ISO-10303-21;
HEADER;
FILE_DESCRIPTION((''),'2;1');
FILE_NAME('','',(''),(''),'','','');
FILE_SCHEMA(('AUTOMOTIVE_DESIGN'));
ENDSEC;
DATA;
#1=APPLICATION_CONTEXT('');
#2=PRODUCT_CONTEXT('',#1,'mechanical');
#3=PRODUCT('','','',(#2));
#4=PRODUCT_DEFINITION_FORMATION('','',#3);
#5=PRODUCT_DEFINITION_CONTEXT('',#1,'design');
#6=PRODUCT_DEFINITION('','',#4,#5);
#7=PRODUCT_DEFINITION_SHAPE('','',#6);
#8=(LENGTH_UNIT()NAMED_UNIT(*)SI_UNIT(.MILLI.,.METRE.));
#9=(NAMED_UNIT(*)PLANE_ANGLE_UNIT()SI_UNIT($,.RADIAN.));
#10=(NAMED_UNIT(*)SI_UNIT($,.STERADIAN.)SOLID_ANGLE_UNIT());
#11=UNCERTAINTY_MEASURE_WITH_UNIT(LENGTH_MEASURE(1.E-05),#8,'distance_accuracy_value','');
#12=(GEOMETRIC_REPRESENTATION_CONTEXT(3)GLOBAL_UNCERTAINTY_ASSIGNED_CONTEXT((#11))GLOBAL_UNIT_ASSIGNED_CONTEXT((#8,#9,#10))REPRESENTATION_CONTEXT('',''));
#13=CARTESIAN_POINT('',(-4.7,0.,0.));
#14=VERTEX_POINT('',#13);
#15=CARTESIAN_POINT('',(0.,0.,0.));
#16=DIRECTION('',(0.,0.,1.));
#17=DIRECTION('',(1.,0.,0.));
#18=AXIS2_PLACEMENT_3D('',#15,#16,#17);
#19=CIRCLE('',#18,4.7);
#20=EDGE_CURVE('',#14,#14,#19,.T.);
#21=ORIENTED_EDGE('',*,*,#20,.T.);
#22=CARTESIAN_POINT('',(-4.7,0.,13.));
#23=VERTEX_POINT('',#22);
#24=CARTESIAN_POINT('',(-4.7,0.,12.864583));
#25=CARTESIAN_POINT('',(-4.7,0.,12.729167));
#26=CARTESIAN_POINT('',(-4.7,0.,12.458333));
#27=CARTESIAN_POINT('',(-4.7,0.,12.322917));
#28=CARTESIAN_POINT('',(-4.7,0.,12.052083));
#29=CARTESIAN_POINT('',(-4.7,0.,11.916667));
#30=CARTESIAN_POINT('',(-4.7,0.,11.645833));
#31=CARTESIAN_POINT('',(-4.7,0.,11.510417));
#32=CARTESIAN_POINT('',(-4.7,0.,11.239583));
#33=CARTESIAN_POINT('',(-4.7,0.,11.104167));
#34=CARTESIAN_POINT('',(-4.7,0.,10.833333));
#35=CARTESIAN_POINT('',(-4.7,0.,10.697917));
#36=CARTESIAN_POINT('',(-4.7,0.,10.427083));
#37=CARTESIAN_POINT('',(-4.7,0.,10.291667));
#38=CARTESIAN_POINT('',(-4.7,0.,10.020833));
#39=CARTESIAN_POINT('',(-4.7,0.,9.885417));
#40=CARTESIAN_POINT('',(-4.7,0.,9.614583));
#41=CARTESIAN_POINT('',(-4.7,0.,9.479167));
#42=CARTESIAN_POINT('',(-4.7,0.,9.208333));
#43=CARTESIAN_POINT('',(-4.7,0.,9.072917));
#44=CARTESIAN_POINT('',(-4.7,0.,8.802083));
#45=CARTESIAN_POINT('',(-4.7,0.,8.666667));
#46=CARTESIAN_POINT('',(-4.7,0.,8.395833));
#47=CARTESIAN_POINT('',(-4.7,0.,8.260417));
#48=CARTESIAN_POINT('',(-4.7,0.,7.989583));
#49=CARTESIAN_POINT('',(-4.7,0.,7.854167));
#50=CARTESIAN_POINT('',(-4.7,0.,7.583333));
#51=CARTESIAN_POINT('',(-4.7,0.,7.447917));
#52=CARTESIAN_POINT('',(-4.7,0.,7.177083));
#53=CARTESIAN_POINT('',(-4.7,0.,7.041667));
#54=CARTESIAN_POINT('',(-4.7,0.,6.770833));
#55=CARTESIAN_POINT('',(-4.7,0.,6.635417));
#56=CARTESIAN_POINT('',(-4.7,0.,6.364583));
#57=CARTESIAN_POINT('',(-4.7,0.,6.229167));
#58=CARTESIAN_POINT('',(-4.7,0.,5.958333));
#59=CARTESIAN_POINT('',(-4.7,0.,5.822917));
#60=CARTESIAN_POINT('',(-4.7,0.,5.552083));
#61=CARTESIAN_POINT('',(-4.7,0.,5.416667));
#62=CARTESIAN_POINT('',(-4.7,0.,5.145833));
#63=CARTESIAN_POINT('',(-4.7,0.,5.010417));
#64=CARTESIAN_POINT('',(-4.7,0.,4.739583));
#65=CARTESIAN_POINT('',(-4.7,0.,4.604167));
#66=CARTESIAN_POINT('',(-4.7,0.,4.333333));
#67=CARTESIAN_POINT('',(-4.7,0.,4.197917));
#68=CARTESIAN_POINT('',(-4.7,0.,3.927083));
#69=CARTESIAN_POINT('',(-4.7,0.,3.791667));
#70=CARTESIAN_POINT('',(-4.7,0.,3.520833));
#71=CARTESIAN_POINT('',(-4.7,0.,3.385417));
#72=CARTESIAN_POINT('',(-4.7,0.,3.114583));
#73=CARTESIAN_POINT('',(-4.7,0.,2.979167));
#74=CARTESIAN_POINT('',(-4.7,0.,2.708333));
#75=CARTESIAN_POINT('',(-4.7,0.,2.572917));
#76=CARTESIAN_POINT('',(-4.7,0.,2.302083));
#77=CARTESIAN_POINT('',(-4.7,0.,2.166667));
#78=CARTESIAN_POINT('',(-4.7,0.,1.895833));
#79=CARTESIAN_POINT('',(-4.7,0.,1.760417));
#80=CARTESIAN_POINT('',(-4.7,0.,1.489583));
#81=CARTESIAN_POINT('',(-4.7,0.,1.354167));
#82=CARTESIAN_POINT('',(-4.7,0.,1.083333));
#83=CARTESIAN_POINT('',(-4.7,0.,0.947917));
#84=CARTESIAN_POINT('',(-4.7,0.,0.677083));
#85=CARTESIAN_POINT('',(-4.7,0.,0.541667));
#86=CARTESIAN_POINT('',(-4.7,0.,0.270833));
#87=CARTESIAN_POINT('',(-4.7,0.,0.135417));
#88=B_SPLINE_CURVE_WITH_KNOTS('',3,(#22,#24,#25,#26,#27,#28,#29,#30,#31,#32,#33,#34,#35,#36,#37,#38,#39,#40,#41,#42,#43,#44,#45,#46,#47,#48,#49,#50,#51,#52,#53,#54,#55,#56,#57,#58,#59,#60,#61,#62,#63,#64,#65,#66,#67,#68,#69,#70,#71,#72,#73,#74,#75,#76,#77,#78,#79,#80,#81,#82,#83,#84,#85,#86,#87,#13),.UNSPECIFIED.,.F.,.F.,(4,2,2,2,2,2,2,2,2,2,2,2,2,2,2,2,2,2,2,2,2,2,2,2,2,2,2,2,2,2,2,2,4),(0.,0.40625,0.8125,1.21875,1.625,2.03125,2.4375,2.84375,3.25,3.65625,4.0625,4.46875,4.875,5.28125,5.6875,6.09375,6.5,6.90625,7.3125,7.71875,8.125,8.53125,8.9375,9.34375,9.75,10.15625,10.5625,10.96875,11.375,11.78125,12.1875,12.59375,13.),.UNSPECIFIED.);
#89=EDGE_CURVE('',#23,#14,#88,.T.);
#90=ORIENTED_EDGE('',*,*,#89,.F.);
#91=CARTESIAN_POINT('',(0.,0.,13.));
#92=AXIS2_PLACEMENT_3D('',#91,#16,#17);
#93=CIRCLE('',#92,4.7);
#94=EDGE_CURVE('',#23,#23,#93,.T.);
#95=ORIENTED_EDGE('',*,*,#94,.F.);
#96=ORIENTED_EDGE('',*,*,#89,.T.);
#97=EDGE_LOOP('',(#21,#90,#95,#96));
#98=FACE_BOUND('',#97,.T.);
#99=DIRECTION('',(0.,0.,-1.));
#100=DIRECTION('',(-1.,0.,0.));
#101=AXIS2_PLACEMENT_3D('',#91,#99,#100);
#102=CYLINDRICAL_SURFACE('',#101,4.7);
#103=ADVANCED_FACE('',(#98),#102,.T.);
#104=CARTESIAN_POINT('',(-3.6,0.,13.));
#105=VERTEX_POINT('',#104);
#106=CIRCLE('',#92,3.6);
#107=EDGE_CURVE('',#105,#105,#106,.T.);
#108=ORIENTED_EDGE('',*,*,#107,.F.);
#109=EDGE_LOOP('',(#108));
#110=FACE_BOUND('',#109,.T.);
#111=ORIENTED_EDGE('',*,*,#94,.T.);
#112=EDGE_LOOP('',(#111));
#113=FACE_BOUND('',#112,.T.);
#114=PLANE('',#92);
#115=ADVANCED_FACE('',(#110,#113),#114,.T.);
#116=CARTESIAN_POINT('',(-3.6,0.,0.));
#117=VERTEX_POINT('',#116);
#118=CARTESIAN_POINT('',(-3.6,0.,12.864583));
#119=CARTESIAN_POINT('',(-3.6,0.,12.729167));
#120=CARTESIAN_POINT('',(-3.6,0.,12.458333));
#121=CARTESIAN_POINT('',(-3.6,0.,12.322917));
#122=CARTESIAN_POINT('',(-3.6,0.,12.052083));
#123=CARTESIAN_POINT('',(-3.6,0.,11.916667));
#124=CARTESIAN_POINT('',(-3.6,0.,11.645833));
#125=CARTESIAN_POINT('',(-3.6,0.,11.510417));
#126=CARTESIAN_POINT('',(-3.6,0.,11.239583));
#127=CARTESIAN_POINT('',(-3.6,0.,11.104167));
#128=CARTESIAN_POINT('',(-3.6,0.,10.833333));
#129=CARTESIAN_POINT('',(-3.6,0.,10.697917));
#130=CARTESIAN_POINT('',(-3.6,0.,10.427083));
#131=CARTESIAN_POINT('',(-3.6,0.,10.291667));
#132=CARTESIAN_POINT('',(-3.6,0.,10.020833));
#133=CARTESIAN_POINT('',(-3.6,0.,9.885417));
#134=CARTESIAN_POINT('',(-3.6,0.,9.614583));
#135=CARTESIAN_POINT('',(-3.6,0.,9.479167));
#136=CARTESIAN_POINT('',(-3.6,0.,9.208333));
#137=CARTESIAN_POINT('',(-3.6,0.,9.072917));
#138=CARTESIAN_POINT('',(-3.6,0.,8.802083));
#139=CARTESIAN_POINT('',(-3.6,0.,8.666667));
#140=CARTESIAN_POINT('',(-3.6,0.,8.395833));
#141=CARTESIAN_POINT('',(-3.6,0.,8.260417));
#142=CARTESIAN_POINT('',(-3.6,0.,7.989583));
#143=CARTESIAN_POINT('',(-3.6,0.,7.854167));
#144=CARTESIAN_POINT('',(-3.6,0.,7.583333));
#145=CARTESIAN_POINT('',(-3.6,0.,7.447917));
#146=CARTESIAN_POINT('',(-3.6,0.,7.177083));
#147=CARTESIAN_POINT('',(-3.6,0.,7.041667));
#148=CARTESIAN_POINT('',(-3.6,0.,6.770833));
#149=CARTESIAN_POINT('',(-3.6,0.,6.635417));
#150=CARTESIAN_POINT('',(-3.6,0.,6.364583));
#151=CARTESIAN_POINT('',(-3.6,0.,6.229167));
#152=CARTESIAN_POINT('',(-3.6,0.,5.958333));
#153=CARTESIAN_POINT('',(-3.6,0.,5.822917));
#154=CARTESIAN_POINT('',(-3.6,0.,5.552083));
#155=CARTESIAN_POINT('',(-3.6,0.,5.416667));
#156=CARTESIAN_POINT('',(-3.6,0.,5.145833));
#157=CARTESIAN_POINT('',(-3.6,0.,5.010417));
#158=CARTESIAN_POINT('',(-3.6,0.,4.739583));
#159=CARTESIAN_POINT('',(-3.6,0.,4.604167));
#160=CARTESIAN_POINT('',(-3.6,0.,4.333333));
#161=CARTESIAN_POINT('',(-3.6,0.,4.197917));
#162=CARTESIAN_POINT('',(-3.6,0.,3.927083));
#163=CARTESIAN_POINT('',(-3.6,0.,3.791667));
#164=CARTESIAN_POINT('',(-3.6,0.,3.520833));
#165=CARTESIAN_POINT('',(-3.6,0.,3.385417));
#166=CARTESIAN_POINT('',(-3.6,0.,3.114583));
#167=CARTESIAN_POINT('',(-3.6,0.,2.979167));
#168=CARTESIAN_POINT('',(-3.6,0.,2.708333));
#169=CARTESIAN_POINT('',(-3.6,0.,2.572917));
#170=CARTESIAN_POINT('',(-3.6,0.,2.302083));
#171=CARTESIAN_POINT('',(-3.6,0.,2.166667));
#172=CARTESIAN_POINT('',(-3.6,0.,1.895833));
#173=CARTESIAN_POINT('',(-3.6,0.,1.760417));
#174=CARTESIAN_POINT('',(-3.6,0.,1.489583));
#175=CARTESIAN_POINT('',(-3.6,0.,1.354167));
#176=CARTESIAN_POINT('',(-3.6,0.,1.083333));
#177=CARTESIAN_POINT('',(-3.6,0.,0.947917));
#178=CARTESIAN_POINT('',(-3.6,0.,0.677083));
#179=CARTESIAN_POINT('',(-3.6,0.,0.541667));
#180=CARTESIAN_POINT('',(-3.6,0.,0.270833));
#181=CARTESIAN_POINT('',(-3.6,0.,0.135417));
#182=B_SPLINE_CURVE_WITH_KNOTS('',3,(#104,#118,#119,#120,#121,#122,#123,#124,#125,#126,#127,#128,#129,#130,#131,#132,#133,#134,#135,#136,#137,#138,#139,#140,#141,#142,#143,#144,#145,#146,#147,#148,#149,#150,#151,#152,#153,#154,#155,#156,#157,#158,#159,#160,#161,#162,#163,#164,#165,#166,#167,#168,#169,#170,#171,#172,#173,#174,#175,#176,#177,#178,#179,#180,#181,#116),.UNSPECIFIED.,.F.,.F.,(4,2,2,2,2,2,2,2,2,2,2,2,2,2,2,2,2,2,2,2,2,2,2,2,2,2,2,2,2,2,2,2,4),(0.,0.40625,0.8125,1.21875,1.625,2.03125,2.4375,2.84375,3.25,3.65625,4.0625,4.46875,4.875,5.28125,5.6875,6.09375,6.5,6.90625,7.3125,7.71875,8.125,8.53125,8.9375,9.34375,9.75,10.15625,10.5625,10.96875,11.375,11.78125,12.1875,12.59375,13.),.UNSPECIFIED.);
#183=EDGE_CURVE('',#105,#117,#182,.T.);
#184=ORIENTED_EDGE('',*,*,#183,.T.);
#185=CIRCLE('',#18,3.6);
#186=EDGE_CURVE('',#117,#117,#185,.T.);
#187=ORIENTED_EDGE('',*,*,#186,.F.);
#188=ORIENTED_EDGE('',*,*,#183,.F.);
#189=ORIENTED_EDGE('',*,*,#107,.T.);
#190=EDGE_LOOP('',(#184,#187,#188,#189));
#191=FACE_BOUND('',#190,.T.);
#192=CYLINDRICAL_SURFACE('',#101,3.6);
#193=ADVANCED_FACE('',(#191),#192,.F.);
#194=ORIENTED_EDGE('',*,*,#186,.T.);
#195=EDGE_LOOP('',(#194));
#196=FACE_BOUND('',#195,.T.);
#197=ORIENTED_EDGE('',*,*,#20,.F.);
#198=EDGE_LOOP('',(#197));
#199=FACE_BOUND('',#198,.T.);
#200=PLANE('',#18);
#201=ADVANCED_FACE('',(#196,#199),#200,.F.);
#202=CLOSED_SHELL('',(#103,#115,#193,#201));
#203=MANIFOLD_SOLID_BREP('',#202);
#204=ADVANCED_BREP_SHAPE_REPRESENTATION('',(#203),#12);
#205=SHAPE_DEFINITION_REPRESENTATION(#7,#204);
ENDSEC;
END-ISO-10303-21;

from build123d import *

# Parameters (mm, degrees)
ESQUISSE1_R        = 4.7
ESQUISSE1_R_2      = 3.6
BOSS_EXTRU_1_DEPTH = 13


with BuildPart() as part:
    # Esquisse1 → Boss.-Extru.1 (new body)
    with BuildSketch(Plane.XY):
        with Locations(Location((0, 0, 0), (0, 0, 180))):
            Circle(ESQUISSE1_R)
        with Locations(Location((0, 0, 0), (0, 0, 180))):
            Circle(ESQUISSE1_R_2, mode=Mode.SUBTRACT)
    extrude(amount=BOSS_EXTRU_1_DEPTH)


solid = part.part
